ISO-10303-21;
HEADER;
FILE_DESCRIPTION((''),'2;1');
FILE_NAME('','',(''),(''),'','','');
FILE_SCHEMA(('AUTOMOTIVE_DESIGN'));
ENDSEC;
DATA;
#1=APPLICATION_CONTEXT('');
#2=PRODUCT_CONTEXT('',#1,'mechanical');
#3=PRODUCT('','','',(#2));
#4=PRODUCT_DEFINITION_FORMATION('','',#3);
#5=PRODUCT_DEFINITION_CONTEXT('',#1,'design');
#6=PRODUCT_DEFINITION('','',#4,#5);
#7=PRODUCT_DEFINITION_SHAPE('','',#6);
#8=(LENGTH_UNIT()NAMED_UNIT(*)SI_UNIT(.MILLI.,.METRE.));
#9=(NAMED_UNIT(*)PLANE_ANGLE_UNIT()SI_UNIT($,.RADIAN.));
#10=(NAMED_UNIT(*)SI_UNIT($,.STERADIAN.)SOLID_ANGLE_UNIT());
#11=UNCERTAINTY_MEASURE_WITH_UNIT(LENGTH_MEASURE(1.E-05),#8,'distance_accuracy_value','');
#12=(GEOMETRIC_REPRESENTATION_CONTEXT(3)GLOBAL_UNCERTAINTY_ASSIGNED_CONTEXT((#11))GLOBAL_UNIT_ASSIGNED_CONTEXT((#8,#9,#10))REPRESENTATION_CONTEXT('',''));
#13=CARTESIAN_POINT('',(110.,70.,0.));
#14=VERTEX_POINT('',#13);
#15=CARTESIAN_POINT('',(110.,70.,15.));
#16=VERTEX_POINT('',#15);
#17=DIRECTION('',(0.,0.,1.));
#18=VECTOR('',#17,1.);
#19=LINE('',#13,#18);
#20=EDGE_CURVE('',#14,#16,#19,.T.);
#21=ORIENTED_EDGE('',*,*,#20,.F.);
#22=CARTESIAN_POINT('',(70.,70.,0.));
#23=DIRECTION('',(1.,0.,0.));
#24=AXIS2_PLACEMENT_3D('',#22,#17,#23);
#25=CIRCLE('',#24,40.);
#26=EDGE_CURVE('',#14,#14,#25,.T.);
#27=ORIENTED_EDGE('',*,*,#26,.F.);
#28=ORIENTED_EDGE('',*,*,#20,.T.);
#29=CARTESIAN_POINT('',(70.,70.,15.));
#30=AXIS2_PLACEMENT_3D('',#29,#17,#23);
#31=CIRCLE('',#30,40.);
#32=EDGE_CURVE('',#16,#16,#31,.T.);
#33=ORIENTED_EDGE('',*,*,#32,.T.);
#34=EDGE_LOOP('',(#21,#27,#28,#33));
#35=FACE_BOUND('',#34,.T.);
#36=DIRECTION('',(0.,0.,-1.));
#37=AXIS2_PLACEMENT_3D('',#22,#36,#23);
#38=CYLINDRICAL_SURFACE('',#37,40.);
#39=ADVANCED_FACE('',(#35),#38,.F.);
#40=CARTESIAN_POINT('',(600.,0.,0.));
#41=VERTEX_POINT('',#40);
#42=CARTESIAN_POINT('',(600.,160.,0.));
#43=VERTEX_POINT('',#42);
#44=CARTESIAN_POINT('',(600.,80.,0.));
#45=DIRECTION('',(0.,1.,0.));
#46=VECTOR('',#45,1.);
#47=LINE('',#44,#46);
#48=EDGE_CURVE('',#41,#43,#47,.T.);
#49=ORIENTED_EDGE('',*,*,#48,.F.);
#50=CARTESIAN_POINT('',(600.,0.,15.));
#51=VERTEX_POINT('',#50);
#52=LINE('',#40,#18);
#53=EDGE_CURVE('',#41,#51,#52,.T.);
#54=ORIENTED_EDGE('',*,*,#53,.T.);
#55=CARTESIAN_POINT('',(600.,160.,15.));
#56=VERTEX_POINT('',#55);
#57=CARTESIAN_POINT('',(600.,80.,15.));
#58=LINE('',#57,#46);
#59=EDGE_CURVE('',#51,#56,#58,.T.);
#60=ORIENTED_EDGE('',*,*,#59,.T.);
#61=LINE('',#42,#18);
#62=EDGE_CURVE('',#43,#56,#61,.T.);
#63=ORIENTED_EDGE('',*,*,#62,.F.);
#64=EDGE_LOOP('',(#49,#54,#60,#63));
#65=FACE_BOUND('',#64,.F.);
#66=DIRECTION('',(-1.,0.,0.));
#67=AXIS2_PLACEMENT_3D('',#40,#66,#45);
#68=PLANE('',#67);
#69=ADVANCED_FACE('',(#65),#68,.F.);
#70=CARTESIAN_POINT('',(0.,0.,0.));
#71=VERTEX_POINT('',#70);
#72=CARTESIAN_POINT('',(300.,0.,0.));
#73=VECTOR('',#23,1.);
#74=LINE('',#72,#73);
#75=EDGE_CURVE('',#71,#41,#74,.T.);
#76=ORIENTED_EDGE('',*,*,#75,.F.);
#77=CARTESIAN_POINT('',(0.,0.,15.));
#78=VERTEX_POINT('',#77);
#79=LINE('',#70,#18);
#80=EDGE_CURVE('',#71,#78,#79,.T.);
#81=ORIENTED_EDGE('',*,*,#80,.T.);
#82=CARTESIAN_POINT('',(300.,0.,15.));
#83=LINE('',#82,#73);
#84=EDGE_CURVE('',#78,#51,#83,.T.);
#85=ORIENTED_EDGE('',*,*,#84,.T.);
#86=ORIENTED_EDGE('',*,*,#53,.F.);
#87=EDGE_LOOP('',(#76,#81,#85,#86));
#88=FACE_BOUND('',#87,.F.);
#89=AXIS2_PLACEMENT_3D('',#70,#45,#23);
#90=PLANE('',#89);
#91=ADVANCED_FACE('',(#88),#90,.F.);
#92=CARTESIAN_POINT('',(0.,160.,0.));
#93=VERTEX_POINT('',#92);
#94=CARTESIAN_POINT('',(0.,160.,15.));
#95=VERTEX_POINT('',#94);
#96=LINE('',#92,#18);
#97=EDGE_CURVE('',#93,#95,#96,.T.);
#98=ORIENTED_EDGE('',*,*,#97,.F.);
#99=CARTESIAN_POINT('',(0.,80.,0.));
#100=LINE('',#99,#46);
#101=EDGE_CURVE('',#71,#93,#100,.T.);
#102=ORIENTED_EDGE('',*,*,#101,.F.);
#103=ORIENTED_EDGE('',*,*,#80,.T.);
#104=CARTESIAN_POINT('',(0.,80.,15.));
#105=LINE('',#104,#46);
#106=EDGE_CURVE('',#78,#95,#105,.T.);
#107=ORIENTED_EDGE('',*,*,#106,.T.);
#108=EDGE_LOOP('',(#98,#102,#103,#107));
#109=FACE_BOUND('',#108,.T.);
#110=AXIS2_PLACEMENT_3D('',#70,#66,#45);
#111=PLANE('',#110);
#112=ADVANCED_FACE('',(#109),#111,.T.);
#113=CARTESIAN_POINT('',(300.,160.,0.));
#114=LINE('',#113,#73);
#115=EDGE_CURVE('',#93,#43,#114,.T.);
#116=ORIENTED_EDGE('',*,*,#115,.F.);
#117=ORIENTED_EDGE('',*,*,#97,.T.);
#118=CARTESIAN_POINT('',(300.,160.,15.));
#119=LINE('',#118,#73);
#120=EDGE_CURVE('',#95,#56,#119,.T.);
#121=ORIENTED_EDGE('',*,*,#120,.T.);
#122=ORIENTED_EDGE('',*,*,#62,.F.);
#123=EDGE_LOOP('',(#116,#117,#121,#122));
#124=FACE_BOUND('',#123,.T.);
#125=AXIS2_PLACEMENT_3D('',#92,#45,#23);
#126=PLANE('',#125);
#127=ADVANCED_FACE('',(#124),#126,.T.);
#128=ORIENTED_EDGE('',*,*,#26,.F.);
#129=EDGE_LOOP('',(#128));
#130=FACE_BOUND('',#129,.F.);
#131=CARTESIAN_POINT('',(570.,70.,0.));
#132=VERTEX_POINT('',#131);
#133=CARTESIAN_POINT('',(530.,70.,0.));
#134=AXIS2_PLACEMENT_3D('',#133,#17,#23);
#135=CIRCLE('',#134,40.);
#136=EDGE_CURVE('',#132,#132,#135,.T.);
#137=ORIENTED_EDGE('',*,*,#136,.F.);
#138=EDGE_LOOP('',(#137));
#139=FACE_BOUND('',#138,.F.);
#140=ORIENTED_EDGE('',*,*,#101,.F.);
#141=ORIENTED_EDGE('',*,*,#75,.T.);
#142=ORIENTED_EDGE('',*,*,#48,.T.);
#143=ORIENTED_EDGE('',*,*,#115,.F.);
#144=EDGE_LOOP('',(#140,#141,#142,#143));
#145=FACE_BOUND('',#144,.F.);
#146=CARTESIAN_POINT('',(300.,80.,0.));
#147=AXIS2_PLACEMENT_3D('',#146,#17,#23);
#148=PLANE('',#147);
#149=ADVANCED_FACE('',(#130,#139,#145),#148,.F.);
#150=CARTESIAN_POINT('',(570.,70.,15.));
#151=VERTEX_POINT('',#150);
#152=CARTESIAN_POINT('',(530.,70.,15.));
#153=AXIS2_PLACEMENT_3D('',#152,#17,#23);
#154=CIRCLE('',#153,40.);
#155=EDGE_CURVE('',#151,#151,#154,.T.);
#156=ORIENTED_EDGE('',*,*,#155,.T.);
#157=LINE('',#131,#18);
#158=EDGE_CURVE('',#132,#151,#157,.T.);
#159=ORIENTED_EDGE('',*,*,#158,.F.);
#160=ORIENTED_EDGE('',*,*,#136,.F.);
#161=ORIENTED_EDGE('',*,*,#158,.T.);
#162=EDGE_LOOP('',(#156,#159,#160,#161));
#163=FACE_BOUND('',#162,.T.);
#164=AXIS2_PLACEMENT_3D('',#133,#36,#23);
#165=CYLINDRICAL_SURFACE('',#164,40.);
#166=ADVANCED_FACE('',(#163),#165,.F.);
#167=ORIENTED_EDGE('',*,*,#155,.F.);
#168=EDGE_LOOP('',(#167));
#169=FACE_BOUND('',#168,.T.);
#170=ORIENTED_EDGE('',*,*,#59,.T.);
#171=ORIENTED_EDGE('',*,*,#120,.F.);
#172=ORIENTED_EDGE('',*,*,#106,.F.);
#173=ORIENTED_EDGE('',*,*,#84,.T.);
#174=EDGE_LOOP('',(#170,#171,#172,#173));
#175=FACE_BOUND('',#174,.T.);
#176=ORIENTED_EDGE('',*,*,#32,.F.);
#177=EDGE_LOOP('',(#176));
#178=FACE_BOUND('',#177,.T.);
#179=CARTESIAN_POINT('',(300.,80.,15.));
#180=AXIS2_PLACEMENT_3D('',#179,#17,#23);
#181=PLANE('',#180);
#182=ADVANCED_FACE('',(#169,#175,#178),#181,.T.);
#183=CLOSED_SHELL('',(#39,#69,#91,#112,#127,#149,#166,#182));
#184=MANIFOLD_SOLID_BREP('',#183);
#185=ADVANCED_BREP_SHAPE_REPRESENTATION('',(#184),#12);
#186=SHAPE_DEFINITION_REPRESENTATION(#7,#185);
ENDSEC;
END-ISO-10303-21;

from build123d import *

# Parameters (mm, degrees)
SKETCH_W  = 600
SKETCH_H  = 160
SKETCH_R  = 40
PAD_DEPTH = 15


with BuildPart() as part:
    # Sketch → Pad (new body)
    with BuildSketch(Plane.XY):
        with Locations((300, 80)):
            Rectangle(SKETCH_W, SKETCH_H)
        with Locations((70, 70)):
            Circle(SKETCH_R, mode=Mode.SUBTRACT)
        with Locations((530, 70)):
            Circle(SKETCH_R, mode=Mode.SUBTRACT)
    extrude(amount=PAD_DEPTH)


solid = part.part
